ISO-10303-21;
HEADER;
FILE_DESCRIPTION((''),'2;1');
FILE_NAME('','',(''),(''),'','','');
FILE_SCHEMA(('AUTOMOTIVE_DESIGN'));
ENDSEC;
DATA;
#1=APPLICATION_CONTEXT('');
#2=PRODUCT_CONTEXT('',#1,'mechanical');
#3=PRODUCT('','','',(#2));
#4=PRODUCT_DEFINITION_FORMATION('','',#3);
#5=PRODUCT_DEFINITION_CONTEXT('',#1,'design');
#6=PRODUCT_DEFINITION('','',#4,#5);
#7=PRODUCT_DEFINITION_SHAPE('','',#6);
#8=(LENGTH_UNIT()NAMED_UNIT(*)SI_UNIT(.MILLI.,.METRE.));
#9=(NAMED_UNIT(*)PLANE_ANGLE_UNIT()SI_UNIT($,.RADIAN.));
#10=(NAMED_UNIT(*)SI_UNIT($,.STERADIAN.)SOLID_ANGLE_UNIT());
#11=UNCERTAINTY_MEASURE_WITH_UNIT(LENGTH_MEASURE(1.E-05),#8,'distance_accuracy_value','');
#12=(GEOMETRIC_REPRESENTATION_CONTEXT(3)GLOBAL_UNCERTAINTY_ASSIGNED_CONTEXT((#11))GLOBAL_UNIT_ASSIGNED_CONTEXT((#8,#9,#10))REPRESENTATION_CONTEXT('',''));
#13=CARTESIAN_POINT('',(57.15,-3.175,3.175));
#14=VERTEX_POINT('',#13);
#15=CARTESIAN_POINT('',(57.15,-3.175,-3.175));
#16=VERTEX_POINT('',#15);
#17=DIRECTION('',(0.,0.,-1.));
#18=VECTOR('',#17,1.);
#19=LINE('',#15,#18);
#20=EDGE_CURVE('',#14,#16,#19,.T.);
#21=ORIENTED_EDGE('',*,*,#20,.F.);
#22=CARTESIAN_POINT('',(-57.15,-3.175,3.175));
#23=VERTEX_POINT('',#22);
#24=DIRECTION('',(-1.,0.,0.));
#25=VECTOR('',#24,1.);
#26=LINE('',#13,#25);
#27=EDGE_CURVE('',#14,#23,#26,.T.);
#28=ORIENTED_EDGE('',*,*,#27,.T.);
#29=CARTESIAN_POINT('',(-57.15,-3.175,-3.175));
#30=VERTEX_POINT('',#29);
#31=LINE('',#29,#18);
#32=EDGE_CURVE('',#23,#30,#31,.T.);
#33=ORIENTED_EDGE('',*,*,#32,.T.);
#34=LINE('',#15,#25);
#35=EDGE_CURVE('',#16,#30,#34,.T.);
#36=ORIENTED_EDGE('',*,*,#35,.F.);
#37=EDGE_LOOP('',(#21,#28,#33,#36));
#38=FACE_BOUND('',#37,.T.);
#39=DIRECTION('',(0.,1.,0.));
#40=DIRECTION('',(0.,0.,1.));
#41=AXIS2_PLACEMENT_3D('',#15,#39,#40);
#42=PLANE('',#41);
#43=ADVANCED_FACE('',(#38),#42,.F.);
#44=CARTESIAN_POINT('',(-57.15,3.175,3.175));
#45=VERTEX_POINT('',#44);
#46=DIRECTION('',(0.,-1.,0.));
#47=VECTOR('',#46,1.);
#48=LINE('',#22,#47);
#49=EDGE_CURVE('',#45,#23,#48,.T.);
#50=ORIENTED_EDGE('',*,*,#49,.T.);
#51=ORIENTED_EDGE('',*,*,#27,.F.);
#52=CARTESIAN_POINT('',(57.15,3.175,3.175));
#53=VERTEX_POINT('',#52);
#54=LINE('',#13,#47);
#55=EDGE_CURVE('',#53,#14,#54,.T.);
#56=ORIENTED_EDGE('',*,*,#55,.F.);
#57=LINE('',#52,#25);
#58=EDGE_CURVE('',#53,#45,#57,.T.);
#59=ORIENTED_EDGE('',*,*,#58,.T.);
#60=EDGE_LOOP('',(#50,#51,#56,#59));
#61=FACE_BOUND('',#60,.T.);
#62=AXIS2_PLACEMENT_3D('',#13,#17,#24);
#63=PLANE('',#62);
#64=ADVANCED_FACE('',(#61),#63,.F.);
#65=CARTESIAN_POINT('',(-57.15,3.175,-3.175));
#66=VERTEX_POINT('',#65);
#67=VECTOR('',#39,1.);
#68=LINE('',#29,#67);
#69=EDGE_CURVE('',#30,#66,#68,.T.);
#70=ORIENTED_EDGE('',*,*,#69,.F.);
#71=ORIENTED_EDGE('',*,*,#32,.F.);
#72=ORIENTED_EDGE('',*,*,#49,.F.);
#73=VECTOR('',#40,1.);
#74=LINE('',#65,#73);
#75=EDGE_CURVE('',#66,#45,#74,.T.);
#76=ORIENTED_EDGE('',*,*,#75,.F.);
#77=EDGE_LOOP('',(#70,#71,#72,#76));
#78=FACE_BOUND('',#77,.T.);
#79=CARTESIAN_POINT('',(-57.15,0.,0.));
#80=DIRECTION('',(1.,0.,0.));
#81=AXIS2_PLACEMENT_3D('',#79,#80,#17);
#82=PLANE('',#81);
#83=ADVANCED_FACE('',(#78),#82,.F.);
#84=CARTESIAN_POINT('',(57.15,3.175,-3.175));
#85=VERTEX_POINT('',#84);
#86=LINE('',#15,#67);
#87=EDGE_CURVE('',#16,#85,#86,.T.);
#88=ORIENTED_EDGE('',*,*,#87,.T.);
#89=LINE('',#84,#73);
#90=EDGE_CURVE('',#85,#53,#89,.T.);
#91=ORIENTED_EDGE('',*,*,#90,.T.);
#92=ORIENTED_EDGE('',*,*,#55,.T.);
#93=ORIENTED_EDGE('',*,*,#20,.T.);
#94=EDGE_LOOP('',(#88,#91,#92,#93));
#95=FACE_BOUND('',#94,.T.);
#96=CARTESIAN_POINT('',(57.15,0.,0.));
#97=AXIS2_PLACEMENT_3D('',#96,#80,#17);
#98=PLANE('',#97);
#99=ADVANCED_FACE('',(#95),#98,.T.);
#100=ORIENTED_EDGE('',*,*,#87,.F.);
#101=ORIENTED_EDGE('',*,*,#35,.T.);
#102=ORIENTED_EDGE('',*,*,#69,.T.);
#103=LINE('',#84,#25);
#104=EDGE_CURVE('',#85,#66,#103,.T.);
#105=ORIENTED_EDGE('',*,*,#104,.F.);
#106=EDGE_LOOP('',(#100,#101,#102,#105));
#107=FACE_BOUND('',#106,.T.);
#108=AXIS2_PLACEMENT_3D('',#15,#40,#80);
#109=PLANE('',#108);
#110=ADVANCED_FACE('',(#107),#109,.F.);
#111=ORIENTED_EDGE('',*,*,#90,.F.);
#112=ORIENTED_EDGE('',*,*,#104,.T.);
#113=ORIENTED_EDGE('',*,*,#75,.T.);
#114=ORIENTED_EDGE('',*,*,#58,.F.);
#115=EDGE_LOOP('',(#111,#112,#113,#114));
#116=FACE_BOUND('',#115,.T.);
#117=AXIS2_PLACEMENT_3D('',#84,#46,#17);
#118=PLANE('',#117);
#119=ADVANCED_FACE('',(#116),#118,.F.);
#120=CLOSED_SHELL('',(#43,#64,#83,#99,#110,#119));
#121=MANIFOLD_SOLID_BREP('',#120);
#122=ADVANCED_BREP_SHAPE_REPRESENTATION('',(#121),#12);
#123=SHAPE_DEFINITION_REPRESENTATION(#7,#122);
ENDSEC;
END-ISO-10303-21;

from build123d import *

# Parameters (mm, degrees)
SKETCH2_W           = 6.35
SKETCH2_H           = 6.35
BOSS_EXTRUDE1_DEPTH = 57.15


with BuildPart() as part:
    # Sketch2 → Boss-Extrude1 (new body, symmetric)
    with BuildSketch(Plane(origin=(0, 0, 0), x_dir=(0, 0, -1), z_dir=(1, 0, 0))):
        Rectangle(SKETCH2_W, SKETCH2_H)
    extrude(amount=BOSS_EXTRUDE1_DEPTH, both=True)


solid = part.part
